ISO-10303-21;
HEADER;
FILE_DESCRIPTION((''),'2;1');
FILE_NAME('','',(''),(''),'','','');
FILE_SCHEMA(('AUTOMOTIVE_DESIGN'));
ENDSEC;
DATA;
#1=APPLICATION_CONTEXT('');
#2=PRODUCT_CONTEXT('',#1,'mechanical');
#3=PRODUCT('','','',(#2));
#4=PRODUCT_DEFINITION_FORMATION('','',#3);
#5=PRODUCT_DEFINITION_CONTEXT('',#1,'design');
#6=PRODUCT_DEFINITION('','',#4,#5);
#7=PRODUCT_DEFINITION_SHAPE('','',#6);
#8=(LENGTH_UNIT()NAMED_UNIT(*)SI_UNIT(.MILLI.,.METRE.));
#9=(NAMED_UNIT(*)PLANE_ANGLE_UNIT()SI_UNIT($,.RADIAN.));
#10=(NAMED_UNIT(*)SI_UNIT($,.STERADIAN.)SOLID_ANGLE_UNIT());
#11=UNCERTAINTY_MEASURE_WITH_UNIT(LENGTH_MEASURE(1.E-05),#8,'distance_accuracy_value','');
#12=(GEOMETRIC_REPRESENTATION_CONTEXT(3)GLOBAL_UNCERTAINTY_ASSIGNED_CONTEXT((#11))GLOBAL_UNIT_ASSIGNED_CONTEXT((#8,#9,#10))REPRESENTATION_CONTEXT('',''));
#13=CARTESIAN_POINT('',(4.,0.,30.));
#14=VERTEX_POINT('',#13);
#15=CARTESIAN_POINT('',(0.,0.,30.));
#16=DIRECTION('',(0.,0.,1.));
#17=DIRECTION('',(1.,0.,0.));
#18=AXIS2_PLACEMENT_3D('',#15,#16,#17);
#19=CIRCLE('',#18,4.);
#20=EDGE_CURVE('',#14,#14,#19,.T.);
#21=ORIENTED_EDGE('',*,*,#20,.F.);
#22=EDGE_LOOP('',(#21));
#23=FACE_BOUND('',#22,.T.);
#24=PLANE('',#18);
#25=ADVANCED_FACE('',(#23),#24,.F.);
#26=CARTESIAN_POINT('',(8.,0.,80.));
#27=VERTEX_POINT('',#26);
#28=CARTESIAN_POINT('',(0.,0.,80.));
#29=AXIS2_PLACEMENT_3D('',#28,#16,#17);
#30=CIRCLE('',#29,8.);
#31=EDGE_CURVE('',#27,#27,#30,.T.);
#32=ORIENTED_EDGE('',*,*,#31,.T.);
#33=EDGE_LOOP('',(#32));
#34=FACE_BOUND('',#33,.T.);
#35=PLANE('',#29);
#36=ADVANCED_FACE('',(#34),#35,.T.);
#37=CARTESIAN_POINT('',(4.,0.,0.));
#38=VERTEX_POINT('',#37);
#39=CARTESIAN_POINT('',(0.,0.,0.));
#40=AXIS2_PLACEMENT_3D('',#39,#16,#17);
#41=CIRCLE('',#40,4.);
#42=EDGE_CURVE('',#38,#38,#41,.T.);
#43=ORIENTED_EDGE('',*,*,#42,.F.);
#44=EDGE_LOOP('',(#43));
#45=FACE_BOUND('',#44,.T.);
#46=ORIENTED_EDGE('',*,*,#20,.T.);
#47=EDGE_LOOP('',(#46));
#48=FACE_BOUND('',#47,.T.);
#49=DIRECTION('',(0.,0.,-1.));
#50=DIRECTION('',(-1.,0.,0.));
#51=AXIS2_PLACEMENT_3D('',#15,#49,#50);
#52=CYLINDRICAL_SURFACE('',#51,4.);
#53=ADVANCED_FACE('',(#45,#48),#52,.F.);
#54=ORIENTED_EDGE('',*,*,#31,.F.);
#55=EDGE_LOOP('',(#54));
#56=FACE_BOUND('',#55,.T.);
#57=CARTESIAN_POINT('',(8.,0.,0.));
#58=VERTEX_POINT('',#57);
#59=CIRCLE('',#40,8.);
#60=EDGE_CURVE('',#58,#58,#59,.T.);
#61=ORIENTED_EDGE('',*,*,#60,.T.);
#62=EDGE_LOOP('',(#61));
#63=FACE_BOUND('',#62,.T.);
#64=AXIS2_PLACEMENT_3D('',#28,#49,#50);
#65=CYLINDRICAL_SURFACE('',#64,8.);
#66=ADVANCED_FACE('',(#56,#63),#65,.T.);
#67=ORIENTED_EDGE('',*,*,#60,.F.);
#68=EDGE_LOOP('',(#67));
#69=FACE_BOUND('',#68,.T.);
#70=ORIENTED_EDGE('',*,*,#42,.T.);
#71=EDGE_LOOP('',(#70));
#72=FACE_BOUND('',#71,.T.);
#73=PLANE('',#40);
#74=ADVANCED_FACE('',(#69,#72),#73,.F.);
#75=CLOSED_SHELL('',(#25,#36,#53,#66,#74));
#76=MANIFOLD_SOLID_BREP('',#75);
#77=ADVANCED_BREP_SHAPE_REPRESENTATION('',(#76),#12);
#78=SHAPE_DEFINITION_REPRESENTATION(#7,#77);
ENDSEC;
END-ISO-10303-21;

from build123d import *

# Parameters (mm, degrees)
SKETCH_2_R          = 8
EXTRUDE_1_DEPTH     = 80
SKETCH_2_3_R        = 4
CUT_EXTRUDE_1_DEPTH = 30


with BuildPart() as part:
    # 스케치2 → 보스-돌출1 (new body)
    with BuildSketch(Plane.XY):
        Circle(SKETCH_2_R)
    extrude(amount=EXTRUDE_1_DEPTH)

    # 스케치2<3> → 컷-돌출1 (cut)
    with BuildSketch(Plane.XY):
        Circle(SKETCH_2_3_R)
    extrude(amount=CUT_EXTRUDE_1_DEPTH, mode=Mode.SUBTRACT)


solid = part.part
